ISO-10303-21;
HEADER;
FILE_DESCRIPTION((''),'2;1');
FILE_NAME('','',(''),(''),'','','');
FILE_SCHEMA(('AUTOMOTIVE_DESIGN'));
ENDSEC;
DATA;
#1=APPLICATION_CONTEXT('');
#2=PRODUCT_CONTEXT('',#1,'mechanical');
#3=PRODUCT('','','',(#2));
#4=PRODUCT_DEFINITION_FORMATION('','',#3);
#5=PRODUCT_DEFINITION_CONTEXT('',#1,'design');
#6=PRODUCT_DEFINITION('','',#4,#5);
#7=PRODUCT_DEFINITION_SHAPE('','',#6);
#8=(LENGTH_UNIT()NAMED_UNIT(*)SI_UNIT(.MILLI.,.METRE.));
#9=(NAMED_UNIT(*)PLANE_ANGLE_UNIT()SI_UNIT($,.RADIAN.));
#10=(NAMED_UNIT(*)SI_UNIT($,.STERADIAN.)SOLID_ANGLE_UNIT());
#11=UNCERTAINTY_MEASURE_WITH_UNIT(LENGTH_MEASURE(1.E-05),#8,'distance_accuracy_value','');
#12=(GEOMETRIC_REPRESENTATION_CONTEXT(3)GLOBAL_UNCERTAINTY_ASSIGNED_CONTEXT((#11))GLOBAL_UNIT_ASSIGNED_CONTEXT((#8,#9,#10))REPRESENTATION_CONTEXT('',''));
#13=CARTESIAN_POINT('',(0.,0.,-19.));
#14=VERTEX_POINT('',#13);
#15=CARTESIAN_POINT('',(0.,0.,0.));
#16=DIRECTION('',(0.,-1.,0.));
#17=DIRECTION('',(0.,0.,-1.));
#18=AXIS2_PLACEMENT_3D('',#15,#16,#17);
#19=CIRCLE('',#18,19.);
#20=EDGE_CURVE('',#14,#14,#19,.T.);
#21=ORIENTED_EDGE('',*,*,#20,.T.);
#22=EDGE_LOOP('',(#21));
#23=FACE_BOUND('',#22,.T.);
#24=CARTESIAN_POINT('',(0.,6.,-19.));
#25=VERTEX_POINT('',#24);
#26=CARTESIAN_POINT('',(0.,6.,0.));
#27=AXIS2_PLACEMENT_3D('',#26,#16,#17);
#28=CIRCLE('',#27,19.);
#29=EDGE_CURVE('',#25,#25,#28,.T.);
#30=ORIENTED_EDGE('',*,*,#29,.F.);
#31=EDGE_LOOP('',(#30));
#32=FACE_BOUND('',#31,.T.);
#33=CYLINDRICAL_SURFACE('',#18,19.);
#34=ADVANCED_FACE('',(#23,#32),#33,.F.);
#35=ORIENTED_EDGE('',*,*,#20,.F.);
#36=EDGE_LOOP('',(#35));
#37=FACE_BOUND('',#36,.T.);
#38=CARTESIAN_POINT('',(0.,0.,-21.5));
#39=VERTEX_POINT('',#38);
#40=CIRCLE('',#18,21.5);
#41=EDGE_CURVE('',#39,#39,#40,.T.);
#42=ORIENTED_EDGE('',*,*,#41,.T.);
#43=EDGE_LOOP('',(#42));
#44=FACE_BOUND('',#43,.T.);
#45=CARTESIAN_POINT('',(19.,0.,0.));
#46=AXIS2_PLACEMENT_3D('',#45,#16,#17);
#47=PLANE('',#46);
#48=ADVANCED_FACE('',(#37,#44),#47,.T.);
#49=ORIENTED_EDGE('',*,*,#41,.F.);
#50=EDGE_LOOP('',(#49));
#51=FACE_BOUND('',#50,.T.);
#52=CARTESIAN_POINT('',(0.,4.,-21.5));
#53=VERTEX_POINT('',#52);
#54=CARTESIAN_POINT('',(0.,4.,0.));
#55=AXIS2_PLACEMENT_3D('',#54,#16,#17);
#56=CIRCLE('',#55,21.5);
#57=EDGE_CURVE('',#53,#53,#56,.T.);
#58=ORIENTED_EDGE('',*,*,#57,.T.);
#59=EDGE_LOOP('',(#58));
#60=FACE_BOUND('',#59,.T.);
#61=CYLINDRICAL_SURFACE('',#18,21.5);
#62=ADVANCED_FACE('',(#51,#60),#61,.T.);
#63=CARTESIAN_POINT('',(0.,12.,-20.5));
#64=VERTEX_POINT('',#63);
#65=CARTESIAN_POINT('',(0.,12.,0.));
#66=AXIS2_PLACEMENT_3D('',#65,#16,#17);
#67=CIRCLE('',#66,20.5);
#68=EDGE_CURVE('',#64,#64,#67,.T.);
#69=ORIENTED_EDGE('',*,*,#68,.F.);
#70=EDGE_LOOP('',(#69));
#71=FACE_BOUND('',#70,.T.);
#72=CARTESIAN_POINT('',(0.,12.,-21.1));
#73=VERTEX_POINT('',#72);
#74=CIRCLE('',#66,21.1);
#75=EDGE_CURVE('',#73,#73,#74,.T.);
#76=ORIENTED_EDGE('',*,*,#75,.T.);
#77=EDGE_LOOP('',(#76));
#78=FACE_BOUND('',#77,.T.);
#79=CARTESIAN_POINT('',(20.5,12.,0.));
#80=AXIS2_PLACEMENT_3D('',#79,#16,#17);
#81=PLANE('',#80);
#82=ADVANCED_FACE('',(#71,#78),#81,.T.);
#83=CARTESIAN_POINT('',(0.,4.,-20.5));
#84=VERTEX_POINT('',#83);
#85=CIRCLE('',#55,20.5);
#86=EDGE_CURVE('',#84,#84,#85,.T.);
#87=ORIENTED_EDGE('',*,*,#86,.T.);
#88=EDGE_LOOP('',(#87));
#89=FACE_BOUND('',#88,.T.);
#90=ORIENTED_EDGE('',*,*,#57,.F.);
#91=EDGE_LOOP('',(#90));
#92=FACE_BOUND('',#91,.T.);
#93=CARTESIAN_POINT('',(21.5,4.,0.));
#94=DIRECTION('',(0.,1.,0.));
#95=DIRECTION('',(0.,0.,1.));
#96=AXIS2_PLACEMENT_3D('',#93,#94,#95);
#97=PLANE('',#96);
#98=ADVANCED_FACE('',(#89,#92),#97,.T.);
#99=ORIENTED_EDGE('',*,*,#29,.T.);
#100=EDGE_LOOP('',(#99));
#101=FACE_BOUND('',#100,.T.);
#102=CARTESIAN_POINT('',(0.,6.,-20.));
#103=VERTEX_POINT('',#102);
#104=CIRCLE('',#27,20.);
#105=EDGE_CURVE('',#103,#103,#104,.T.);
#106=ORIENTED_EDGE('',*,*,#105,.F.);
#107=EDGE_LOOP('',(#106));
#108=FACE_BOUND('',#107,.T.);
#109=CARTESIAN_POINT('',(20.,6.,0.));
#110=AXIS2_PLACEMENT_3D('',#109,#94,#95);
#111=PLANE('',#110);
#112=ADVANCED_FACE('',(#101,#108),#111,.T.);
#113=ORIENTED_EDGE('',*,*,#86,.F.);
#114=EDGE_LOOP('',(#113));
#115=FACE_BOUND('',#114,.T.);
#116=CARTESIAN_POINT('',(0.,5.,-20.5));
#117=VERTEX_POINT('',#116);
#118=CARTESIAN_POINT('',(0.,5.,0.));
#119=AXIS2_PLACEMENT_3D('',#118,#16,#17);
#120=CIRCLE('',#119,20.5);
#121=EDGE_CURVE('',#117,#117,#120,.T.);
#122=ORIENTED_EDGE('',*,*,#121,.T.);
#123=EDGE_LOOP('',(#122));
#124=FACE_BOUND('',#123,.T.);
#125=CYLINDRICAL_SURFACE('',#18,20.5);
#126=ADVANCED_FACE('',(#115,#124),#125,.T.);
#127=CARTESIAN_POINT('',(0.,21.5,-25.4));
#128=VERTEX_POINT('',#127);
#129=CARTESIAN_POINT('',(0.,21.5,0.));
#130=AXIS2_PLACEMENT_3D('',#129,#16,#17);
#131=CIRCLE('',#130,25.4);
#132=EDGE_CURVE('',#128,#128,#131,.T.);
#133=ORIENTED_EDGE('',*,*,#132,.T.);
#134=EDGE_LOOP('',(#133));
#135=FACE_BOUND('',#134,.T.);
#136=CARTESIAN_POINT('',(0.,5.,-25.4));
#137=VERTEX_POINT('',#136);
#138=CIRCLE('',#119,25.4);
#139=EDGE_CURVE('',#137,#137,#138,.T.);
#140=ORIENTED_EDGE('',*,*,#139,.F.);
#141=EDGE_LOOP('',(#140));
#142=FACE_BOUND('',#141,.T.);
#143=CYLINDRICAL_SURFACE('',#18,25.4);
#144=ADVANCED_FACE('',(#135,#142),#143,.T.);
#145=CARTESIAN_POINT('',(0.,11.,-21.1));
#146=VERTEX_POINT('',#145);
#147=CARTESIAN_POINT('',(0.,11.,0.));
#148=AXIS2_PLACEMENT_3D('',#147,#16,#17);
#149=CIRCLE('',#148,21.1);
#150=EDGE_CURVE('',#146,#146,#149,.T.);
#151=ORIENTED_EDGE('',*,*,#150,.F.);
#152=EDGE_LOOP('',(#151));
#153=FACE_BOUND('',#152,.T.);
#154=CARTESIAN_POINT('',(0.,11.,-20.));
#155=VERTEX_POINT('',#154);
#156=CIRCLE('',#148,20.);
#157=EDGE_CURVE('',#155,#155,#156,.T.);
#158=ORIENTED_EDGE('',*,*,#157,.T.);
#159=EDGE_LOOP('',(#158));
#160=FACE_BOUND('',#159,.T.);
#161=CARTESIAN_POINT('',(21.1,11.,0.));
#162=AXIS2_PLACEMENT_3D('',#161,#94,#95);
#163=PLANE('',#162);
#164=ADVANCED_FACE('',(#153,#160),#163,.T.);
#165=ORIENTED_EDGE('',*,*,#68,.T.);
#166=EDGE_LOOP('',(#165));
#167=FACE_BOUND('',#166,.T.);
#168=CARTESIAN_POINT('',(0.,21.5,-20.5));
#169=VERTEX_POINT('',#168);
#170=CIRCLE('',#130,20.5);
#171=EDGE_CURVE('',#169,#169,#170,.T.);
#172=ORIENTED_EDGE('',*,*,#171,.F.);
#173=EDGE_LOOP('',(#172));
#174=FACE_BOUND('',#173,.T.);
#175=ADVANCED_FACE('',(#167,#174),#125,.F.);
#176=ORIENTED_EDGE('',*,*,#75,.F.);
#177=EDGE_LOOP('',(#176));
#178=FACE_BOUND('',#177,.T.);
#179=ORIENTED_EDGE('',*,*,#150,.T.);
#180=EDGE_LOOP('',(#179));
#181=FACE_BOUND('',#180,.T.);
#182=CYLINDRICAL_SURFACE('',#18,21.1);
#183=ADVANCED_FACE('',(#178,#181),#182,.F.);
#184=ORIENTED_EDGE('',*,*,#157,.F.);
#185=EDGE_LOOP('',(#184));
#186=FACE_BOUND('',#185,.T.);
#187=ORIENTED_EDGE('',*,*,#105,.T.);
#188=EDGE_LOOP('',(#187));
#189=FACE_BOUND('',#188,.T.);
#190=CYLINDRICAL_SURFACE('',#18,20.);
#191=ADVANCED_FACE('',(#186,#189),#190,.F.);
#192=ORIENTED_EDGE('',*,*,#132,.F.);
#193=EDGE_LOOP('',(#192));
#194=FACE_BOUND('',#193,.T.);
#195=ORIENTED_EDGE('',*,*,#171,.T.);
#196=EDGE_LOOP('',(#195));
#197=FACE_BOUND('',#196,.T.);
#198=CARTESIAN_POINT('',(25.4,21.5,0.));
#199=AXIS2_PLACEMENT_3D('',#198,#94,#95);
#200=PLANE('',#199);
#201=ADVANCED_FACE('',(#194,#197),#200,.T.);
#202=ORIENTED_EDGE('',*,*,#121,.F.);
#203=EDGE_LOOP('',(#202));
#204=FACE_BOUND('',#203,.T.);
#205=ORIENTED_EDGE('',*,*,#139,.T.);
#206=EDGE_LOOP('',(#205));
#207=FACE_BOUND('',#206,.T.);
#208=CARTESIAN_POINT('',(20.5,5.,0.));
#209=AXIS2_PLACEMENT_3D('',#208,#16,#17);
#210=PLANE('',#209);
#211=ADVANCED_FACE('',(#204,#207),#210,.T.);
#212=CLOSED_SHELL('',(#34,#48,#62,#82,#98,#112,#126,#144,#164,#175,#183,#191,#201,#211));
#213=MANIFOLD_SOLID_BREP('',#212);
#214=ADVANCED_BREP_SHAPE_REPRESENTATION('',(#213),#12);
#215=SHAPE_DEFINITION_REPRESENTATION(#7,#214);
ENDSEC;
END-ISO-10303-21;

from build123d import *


with BuildPart() as part:
    # 草图1 → 旋转1 (revolve)
    with BuildSketch(Plane.XY, mode=Mode.PRIVATE) as revolve_1_sk:
        Polygon((19, 0), (21.5, 0), (21.5, 4), (20.5, 4), (20.5, 5), (25.4, 5), (25.4, 21.5), (20.5, 21.5), (20.5, 12), (21.1, 12), (21.1, 11), (20, 11), (20, 6), (19, 6), align=None)
    revolve(revolve_1_sk.sketch.rotate(Axis((0, 0, 0), (0, 1, 0)), 90), axis=Axis((0, 0, 0), (0, 1, 0)))  # turned: the seam where the file's is


solid = part.part
